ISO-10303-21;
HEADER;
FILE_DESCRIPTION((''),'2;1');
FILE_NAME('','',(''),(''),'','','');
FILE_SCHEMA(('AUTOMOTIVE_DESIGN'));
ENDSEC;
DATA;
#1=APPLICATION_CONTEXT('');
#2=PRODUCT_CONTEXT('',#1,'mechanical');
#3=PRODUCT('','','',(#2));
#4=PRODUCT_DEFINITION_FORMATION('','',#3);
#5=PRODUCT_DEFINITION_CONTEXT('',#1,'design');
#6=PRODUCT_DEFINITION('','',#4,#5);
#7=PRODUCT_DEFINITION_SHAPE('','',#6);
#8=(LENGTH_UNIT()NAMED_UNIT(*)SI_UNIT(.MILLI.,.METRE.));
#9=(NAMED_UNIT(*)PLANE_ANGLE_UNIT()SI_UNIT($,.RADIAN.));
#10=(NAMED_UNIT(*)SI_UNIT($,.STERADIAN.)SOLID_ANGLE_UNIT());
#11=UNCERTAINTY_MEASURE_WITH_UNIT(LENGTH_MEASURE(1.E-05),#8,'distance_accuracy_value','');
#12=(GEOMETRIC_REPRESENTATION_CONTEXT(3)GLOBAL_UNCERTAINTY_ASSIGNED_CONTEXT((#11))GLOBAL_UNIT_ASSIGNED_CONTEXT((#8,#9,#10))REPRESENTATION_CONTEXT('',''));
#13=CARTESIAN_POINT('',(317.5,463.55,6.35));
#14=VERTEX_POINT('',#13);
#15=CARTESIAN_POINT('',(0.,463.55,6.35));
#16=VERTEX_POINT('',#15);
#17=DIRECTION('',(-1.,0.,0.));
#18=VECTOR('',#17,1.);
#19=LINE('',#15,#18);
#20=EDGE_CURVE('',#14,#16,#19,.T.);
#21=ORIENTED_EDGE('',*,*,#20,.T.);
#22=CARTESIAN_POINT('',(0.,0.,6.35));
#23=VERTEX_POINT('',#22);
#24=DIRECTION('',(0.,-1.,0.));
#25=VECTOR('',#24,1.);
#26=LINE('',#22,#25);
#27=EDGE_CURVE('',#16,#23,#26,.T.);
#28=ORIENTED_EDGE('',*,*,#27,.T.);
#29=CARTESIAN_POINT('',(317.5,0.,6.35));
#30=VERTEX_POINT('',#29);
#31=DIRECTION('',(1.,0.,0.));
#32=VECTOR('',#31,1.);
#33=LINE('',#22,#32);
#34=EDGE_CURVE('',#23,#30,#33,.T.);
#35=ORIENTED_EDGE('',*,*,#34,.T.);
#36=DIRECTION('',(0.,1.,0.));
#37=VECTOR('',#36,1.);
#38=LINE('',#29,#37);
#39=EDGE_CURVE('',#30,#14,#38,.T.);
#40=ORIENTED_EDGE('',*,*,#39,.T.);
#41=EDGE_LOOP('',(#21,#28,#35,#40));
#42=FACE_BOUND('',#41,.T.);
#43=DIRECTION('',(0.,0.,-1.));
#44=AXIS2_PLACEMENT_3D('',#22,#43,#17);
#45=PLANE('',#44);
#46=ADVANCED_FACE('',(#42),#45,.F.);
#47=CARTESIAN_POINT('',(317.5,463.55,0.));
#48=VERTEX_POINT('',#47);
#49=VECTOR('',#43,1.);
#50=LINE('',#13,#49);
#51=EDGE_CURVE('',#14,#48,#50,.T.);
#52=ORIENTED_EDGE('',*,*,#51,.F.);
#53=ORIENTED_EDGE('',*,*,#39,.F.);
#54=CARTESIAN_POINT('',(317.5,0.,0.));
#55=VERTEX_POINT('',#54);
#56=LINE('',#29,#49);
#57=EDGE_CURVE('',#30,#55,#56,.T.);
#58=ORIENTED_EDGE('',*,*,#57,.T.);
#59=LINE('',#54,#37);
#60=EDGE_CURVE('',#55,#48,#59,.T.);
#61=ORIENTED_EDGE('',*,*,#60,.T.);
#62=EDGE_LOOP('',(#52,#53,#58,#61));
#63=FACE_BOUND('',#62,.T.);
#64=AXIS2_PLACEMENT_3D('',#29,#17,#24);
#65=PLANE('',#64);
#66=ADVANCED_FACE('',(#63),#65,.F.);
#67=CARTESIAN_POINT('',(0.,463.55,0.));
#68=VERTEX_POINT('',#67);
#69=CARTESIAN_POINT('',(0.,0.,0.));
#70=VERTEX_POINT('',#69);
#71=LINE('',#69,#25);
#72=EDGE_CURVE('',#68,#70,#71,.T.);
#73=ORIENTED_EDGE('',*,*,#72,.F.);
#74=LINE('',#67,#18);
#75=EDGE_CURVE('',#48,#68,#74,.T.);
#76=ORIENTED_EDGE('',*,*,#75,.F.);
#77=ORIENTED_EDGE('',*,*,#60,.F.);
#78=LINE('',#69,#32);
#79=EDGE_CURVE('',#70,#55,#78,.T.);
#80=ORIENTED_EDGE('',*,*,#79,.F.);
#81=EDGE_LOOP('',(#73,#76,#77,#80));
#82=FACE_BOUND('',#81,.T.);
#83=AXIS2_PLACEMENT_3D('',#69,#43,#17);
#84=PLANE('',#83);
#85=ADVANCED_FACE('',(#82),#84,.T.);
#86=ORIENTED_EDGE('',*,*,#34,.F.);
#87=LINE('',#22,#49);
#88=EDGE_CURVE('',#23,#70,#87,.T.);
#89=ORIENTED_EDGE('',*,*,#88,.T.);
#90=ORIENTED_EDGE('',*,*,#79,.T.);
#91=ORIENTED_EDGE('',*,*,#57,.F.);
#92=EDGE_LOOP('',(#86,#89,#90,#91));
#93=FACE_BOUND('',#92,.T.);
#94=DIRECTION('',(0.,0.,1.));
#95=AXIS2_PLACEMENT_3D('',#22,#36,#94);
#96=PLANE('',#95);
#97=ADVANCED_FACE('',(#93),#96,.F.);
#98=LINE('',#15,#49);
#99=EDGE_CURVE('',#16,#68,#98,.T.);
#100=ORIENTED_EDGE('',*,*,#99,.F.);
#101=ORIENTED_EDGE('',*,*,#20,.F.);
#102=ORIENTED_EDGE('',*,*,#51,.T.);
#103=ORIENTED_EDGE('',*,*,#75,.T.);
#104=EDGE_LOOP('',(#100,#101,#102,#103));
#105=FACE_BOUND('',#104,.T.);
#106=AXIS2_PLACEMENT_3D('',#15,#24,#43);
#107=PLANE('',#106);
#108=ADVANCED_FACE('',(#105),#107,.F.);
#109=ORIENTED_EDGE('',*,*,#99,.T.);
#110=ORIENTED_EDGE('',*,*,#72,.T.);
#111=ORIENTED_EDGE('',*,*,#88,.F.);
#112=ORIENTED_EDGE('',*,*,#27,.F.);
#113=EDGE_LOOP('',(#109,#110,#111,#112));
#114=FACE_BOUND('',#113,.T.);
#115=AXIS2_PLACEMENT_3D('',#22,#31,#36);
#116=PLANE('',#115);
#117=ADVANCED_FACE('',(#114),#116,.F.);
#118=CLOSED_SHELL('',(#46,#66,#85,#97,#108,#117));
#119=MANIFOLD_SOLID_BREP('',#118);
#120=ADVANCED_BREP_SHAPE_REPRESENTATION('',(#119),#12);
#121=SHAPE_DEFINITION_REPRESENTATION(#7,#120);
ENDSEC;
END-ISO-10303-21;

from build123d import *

# Parameters (mm, degrees)
SKETCH1_W           = 317.5
SKETCH1_H           = 463.55
BOSS_EXTRUDE1_DEPTH = 6.35


with BuildPart() as part:
    # Sketch1 → Boss-Extrude1 (new body)
    with BuildSketch(Plane.XY):
        with Locations((158.75, 231.775)):
            Rectangle(SKETCH1_W, SKETCH1_H)
    extrude(amount=BOSS_EXTRUDE1_DEPTH)


solid = part.part
